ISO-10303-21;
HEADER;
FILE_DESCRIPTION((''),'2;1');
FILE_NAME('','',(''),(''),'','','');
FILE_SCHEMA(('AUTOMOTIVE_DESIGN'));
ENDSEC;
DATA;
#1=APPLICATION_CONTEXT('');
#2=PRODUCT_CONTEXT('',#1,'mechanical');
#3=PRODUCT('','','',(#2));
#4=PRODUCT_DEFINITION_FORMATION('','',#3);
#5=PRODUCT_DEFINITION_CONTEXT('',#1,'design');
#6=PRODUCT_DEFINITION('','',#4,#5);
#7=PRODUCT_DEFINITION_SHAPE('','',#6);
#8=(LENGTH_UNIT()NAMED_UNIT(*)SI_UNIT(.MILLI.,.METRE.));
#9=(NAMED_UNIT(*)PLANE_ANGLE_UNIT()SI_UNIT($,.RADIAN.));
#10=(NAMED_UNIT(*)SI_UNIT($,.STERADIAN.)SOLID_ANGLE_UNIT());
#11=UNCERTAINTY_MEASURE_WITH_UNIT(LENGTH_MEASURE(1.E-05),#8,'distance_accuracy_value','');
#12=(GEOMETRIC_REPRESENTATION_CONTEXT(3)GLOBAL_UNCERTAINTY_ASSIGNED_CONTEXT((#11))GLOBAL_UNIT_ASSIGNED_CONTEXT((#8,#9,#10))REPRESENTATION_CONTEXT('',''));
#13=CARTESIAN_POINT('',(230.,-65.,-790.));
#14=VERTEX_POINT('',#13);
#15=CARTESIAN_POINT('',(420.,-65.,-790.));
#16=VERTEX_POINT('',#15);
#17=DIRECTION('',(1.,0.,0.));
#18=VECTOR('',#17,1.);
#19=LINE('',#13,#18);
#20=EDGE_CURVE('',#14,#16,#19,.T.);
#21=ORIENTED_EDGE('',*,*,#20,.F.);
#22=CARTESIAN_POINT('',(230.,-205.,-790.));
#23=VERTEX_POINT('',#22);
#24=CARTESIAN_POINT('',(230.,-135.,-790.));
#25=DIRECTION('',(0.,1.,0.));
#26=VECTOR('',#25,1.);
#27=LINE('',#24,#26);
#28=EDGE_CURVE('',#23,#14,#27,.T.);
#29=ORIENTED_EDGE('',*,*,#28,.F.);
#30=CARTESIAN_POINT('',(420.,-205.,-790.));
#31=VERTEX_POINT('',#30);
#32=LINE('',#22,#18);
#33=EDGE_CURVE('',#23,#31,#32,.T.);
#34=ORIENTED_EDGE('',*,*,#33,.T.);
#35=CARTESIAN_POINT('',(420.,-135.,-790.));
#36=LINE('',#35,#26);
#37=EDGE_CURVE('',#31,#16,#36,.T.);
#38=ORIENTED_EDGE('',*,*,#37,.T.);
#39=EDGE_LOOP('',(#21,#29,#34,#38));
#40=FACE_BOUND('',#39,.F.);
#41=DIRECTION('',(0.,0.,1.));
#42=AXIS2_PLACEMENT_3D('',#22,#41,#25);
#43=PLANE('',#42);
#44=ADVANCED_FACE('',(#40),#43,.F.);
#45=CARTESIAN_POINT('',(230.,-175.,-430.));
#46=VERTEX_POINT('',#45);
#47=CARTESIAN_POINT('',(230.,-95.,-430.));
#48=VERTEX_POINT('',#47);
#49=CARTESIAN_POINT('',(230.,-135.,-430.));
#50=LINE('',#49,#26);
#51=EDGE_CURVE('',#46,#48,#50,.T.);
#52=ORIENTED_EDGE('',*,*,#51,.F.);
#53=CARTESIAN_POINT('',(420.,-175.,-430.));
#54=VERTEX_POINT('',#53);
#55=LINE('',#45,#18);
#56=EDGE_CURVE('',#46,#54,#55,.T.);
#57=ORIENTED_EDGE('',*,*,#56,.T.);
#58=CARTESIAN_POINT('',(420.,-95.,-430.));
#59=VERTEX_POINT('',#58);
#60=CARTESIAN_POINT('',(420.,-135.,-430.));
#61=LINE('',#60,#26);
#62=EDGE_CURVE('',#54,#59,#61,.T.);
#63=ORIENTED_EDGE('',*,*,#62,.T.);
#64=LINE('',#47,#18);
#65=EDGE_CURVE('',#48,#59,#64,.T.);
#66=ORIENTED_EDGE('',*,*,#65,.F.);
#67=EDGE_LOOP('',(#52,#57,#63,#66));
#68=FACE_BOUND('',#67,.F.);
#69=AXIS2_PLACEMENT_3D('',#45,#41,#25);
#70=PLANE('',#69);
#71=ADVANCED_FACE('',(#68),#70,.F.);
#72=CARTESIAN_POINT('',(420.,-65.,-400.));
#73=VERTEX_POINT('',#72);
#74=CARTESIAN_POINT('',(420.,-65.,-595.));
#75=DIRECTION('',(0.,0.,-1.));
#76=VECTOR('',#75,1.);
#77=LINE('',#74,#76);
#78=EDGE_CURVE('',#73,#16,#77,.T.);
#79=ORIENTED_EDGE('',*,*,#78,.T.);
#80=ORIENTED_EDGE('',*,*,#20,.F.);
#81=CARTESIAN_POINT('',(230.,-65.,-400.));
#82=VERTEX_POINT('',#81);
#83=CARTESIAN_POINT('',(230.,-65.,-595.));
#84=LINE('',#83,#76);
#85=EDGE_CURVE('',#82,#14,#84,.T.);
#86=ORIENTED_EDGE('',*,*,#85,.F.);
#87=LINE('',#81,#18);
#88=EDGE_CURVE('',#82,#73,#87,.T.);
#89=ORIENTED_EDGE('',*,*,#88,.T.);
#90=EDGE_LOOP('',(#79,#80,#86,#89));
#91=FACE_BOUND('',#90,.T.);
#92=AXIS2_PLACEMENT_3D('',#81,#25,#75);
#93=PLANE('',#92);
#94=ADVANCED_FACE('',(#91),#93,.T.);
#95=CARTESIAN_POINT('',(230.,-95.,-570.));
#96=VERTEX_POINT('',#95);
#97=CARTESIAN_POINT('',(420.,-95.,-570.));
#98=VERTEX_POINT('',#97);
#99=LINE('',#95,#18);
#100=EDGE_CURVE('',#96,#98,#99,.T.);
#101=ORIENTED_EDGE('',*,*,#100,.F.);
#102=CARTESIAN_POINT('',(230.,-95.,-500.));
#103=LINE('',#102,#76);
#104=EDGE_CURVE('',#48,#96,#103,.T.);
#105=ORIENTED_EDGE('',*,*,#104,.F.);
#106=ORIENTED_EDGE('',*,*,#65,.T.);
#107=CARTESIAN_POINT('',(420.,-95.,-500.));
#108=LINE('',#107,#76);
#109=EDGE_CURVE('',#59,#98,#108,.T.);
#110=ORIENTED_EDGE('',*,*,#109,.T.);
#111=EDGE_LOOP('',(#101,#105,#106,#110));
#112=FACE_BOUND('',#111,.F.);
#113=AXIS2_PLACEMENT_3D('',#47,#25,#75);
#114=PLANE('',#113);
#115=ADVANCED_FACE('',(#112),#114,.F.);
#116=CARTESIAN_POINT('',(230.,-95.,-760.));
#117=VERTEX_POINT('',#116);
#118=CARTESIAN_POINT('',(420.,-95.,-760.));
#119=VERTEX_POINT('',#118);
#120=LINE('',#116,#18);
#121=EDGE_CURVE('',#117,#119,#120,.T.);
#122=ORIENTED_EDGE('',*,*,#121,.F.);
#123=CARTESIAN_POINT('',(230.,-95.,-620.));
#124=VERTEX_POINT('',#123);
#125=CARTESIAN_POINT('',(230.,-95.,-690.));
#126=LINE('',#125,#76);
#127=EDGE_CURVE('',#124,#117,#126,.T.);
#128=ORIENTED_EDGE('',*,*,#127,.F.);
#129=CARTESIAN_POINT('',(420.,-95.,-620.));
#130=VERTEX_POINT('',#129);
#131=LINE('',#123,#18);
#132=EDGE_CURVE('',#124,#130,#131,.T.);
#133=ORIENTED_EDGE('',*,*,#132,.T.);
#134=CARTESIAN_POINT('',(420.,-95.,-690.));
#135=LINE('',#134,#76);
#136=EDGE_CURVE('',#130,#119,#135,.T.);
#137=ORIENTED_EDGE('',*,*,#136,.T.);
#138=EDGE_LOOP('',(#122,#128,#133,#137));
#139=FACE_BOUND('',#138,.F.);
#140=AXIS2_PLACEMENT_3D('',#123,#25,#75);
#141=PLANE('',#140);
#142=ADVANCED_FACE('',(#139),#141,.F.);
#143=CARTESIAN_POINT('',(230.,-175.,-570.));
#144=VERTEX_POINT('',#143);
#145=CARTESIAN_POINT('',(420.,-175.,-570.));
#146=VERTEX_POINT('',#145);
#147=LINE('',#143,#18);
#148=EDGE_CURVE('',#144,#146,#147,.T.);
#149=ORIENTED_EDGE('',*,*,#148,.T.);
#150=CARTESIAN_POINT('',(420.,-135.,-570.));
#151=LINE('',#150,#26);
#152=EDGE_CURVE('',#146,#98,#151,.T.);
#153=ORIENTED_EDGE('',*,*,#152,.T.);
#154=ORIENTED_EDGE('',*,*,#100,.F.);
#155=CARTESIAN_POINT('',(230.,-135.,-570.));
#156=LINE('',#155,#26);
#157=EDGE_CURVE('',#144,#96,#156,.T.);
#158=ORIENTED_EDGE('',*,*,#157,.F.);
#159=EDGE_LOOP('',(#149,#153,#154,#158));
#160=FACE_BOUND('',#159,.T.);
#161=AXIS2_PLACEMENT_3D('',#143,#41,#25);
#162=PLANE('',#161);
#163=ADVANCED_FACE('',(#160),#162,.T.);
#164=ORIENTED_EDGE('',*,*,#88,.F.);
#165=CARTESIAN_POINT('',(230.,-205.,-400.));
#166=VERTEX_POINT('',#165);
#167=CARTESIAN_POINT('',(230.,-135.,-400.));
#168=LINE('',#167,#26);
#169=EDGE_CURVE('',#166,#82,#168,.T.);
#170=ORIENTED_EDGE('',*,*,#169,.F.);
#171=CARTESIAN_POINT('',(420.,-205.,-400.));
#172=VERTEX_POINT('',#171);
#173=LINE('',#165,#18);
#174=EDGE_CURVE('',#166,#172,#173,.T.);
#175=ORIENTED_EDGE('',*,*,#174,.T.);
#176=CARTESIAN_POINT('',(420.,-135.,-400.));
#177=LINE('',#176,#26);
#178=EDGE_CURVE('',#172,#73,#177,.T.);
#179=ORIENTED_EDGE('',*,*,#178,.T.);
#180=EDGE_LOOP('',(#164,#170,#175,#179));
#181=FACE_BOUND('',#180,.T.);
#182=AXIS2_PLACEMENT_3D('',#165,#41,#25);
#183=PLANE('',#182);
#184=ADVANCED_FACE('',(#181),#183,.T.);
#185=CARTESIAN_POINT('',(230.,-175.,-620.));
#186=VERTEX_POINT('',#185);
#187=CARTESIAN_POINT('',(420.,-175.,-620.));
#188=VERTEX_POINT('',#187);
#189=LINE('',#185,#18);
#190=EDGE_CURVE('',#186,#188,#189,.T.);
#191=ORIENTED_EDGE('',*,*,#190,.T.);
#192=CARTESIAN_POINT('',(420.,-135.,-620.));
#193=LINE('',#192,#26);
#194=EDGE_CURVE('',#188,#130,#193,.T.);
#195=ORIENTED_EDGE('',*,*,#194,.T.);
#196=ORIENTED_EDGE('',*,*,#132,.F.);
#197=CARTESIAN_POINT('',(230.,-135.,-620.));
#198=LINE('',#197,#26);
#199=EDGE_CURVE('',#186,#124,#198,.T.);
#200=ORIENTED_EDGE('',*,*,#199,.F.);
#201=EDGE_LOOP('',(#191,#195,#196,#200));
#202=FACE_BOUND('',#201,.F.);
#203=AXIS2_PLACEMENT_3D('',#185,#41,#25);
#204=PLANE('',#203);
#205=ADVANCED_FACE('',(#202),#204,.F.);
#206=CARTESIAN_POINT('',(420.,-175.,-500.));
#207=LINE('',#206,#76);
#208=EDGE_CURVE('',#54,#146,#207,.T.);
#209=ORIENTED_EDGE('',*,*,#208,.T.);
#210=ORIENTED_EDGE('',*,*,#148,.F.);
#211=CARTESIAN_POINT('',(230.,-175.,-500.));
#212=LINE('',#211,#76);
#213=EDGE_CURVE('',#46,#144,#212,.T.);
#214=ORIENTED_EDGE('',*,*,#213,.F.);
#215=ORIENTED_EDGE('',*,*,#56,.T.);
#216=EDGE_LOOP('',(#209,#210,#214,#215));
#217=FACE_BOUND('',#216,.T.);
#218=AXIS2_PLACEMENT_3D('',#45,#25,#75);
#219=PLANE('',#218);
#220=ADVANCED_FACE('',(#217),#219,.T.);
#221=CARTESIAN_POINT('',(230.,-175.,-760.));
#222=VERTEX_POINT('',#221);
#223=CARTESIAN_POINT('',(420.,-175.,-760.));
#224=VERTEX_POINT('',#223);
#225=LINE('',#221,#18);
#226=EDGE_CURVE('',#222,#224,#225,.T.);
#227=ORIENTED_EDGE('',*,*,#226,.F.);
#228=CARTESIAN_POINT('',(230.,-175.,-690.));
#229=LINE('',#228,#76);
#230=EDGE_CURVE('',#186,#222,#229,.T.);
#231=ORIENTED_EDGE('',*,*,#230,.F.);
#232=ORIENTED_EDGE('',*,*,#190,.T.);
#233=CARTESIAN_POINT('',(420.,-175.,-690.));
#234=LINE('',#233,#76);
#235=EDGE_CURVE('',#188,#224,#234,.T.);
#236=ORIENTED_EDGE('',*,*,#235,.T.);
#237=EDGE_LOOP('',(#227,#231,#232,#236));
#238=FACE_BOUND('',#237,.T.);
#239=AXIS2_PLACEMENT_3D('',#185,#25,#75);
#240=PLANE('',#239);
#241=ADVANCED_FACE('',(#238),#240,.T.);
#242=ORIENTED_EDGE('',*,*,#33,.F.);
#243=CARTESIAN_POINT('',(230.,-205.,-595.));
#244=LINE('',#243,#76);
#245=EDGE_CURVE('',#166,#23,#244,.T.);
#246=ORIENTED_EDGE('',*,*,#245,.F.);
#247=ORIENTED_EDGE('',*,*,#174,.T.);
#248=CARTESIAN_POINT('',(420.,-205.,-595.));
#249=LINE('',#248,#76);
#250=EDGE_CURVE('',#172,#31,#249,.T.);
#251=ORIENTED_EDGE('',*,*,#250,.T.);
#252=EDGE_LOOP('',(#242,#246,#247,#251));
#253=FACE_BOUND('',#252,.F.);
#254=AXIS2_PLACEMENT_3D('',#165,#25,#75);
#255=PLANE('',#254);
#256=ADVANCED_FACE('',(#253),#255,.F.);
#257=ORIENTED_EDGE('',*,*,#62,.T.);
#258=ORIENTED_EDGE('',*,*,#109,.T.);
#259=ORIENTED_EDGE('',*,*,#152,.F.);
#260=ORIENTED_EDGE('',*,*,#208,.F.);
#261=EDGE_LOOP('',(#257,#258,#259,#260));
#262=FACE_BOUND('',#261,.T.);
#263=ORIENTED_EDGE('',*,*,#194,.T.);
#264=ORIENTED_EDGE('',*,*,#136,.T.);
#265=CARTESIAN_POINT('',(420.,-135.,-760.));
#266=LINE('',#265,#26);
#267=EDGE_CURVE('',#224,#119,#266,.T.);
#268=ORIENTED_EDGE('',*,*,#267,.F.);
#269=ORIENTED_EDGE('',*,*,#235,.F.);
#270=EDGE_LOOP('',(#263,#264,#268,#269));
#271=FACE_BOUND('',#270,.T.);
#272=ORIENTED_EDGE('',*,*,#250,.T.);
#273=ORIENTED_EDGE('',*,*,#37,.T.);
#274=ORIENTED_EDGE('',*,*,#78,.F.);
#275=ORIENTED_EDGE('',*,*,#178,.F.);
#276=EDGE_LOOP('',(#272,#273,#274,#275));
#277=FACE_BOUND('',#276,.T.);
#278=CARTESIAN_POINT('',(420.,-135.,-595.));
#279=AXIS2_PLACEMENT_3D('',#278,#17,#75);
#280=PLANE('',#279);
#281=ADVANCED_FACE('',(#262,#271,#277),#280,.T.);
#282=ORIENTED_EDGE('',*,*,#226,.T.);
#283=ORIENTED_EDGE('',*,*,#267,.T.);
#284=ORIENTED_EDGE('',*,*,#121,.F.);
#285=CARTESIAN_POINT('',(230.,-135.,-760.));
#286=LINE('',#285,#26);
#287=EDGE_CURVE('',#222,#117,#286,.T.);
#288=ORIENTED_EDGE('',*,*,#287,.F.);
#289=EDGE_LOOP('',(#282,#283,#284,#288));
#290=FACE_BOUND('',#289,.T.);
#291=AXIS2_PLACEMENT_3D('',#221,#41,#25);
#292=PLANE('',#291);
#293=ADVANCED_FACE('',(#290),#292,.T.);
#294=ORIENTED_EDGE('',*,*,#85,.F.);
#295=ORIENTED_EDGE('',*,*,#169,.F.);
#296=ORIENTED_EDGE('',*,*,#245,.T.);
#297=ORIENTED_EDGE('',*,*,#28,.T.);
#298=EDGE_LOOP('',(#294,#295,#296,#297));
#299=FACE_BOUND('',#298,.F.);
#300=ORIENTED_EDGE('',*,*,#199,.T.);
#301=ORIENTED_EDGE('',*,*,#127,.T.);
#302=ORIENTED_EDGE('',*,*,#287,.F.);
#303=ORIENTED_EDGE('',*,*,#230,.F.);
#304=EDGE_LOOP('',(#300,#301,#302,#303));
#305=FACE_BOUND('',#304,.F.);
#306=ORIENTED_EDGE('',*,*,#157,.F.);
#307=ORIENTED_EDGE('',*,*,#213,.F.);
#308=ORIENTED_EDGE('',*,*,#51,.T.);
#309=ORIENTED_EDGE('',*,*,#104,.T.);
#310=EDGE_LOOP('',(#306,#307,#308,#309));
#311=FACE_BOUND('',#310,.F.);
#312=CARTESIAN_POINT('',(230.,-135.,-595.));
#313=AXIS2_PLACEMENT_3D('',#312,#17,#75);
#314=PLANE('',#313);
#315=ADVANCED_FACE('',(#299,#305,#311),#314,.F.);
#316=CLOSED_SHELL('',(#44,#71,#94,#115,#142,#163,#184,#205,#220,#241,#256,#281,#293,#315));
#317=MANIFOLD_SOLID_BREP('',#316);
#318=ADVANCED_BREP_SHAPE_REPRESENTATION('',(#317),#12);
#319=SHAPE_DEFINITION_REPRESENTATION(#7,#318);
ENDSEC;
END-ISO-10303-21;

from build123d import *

# Parameters (mm, degrees)
BOX010_W               = 140
BOX010_H               = 80
BOX010_DEPTH           = 190
BOX011_W               = 140
BOX011_H               = 80
BOX011_DEPTH           = 190
BOX012_W               = 390
BOX012_H               = 140
BOX012_DEPTH           = 190
CUT001_PLACEMENT_ANGLE = 90


with BuildPart() as cube004:
    # Box010 → Box010 (new body)
    with BuildSketch(Plane(origin=(220, 30, 0), x_dir=(1, 0, 0), z_dir=(0, 0, 1))):
        with Locations((70, 40)):
            Rectangle(BOX010_W, BOX010_H)
    extrude(amount=BOX010_DEPTH)


with BuildPart() as fusion004:
    # Box011 → Box011 (new body)
    with BuildSketch(Plane(origin=(30, 30, 0), x_dir=(1, 0, 0), z_dir=(0, 0, 1))):
        with Locations((70, 40)):
            Rectangle(BOX011_W, BOX011_H)
    extrude(amount=BOX011_DEPTH)

    # Fusion004: union Cube004
    add(cube004.part)


with BuildPart() as cut001:
    # Box012 → Box012 (new body)
    with BuildSketch(Plane.XY):
        with Locations((195, 70)):
            Rectangle(BOX012_W, BOX012_H)
    extrude(amount=BOX012_DEPTH)

    # Cut001: cut Fusion004
    add(fusion004.part, mode=Mode.SUBTRACT)


with BuildPart() as cut001_1:
    # Cut001 placement: moved
    add(cut001.part.moved(Location((230, -205, -400))).rotate(Axis((230, -205, -400), (0, 1, 0)), CUT001_PLACEMENT_ANGLE))


solid = cut001_1.part
